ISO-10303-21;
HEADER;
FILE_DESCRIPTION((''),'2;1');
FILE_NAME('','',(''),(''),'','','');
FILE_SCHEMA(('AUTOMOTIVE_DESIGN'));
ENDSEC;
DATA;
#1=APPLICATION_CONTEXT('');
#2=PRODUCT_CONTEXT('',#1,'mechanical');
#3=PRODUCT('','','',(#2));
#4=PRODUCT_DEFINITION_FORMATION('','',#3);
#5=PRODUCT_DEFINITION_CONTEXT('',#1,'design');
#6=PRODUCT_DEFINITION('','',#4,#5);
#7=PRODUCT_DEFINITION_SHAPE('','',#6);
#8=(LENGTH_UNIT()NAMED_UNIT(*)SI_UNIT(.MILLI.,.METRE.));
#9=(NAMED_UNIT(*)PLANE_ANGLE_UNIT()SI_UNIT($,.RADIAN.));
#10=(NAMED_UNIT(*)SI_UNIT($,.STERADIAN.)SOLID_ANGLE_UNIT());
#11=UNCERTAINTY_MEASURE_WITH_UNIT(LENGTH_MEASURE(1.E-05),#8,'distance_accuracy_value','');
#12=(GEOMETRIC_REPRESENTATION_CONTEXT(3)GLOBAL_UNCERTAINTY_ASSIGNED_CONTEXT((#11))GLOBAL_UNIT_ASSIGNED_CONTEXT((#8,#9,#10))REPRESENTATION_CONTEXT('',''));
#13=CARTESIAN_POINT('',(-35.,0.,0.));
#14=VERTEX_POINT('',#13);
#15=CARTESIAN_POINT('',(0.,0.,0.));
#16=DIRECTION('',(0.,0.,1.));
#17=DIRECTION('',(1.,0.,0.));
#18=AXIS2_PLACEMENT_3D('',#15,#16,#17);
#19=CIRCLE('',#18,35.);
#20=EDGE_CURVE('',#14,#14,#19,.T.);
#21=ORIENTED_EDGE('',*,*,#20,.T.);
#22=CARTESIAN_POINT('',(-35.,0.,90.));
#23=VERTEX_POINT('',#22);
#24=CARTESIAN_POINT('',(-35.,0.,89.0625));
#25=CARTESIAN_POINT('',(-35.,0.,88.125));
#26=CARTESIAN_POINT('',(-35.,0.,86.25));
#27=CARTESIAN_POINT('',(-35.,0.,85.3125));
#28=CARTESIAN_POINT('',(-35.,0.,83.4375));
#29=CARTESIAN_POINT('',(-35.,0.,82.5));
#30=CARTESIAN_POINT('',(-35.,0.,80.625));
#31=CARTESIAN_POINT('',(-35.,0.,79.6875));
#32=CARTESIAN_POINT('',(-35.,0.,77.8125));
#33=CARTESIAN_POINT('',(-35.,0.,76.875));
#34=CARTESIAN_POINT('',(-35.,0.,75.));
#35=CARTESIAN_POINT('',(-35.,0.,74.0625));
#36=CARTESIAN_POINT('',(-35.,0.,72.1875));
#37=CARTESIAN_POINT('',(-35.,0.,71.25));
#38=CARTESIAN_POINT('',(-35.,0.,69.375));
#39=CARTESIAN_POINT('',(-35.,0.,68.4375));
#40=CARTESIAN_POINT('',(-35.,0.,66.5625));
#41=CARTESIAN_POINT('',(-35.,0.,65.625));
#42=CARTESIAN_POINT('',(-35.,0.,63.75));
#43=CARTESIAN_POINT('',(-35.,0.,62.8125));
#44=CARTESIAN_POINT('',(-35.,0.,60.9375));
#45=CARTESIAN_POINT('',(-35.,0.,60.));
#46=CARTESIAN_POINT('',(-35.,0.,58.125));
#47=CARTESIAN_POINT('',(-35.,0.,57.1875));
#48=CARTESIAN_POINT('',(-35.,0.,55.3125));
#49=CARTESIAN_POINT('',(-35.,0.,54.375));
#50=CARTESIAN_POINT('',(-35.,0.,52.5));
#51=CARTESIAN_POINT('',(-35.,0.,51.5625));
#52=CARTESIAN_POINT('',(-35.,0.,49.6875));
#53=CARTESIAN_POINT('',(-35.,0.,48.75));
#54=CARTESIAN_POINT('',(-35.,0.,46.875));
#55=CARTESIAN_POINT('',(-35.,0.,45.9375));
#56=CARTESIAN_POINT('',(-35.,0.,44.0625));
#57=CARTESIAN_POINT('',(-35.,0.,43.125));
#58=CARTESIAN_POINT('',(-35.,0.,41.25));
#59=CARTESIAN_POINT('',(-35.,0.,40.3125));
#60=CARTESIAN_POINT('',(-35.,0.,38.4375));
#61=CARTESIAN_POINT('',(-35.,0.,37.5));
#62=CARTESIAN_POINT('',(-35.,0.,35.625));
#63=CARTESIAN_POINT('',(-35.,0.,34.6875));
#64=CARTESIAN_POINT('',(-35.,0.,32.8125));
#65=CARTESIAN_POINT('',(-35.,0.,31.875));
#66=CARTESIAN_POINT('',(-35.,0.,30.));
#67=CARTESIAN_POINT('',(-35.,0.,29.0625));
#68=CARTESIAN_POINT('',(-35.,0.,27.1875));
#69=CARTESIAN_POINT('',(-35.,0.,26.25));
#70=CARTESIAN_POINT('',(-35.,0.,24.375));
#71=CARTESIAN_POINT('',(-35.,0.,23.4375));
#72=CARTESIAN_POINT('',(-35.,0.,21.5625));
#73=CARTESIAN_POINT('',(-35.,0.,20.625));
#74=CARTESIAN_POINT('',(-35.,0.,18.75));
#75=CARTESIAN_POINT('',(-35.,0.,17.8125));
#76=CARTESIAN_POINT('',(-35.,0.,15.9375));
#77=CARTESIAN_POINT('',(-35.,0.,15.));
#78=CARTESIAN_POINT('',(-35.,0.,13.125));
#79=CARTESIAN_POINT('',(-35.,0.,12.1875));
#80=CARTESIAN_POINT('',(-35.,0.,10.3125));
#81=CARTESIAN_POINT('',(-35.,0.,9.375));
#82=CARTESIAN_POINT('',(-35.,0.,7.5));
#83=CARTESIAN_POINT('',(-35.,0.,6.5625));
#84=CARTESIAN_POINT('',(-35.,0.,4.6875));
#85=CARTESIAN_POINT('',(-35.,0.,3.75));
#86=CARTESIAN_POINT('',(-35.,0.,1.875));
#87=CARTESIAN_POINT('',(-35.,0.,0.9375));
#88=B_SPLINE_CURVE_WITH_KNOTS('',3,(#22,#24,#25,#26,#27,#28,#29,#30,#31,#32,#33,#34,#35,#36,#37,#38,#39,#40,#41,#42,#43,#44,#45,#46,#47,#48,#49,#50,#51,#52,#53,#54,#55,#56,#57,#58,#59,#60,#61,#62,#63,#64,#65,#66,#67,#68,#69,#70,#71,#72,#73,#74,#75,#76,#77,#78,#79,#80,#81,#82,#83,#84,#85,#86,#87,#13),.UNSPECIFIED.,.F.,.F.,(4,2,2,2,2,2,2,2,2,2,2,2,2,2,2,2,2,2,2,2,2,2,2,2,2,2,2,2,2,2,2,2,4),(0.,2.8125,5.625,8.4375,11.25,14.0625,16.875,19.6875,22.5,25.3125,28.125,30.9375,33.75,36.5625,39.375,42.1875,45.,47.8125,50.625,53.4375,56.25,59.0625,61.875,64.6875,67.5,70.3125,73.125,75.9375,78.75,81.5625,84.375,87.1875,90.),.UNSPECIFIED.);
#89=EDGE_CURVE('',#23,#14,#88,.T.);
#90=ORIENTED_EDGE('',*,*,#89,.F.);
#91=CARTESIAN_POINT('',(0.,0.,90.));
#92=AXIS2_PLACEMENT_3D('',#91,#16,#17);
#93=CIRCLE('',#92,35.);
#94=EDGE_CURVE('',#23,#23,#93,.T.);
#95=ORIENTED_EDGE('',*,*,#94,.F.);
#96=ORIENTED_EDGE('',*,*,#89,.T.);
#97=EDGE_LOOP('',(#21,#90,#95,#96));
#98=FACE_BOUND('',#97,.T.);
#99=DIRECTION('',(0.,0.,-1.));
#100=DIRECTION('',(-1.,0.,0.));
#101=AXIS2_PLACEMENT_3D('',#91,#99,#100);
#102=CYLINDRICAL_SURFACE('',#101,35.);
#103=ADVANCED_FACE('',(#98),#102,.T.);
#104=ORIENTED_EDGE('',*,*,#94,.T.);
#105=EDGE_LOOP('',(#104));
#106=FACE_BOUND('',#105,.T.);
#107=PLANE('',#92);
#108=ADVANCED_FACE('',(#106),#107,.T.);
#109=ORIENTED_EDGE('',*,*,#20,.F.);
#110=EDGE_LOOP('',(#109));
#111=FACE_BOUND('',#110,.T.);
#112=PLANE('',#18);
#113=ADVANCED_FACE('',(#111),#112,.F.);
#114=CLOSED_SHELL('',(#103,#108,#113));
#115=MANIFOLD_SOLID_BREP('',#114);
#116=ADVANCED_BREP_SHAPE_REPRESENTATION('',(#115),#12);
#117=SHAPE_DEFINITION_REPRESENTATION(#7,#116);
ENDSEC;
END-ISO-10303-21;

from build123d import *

# Parameters (mm, degrees)
SKETCH_1_R                        = 35
SOLID_OBS_01_ELBOW_CYLINDER_DEPTH = 90


with BuildPart() as part:
    # 草图1 → solid_obs_01_elbow_cylinder (new body)
    with BuildSketch(Plane.XY):
        with Locations(Location((0, 0, 0), (0, 0, 180))):
            Circle(SKETCH_1_R)
    extrude(amount=SOLID_OBS_01_ELBOW_CYLINDER_DEPTH)


solid = part.part
